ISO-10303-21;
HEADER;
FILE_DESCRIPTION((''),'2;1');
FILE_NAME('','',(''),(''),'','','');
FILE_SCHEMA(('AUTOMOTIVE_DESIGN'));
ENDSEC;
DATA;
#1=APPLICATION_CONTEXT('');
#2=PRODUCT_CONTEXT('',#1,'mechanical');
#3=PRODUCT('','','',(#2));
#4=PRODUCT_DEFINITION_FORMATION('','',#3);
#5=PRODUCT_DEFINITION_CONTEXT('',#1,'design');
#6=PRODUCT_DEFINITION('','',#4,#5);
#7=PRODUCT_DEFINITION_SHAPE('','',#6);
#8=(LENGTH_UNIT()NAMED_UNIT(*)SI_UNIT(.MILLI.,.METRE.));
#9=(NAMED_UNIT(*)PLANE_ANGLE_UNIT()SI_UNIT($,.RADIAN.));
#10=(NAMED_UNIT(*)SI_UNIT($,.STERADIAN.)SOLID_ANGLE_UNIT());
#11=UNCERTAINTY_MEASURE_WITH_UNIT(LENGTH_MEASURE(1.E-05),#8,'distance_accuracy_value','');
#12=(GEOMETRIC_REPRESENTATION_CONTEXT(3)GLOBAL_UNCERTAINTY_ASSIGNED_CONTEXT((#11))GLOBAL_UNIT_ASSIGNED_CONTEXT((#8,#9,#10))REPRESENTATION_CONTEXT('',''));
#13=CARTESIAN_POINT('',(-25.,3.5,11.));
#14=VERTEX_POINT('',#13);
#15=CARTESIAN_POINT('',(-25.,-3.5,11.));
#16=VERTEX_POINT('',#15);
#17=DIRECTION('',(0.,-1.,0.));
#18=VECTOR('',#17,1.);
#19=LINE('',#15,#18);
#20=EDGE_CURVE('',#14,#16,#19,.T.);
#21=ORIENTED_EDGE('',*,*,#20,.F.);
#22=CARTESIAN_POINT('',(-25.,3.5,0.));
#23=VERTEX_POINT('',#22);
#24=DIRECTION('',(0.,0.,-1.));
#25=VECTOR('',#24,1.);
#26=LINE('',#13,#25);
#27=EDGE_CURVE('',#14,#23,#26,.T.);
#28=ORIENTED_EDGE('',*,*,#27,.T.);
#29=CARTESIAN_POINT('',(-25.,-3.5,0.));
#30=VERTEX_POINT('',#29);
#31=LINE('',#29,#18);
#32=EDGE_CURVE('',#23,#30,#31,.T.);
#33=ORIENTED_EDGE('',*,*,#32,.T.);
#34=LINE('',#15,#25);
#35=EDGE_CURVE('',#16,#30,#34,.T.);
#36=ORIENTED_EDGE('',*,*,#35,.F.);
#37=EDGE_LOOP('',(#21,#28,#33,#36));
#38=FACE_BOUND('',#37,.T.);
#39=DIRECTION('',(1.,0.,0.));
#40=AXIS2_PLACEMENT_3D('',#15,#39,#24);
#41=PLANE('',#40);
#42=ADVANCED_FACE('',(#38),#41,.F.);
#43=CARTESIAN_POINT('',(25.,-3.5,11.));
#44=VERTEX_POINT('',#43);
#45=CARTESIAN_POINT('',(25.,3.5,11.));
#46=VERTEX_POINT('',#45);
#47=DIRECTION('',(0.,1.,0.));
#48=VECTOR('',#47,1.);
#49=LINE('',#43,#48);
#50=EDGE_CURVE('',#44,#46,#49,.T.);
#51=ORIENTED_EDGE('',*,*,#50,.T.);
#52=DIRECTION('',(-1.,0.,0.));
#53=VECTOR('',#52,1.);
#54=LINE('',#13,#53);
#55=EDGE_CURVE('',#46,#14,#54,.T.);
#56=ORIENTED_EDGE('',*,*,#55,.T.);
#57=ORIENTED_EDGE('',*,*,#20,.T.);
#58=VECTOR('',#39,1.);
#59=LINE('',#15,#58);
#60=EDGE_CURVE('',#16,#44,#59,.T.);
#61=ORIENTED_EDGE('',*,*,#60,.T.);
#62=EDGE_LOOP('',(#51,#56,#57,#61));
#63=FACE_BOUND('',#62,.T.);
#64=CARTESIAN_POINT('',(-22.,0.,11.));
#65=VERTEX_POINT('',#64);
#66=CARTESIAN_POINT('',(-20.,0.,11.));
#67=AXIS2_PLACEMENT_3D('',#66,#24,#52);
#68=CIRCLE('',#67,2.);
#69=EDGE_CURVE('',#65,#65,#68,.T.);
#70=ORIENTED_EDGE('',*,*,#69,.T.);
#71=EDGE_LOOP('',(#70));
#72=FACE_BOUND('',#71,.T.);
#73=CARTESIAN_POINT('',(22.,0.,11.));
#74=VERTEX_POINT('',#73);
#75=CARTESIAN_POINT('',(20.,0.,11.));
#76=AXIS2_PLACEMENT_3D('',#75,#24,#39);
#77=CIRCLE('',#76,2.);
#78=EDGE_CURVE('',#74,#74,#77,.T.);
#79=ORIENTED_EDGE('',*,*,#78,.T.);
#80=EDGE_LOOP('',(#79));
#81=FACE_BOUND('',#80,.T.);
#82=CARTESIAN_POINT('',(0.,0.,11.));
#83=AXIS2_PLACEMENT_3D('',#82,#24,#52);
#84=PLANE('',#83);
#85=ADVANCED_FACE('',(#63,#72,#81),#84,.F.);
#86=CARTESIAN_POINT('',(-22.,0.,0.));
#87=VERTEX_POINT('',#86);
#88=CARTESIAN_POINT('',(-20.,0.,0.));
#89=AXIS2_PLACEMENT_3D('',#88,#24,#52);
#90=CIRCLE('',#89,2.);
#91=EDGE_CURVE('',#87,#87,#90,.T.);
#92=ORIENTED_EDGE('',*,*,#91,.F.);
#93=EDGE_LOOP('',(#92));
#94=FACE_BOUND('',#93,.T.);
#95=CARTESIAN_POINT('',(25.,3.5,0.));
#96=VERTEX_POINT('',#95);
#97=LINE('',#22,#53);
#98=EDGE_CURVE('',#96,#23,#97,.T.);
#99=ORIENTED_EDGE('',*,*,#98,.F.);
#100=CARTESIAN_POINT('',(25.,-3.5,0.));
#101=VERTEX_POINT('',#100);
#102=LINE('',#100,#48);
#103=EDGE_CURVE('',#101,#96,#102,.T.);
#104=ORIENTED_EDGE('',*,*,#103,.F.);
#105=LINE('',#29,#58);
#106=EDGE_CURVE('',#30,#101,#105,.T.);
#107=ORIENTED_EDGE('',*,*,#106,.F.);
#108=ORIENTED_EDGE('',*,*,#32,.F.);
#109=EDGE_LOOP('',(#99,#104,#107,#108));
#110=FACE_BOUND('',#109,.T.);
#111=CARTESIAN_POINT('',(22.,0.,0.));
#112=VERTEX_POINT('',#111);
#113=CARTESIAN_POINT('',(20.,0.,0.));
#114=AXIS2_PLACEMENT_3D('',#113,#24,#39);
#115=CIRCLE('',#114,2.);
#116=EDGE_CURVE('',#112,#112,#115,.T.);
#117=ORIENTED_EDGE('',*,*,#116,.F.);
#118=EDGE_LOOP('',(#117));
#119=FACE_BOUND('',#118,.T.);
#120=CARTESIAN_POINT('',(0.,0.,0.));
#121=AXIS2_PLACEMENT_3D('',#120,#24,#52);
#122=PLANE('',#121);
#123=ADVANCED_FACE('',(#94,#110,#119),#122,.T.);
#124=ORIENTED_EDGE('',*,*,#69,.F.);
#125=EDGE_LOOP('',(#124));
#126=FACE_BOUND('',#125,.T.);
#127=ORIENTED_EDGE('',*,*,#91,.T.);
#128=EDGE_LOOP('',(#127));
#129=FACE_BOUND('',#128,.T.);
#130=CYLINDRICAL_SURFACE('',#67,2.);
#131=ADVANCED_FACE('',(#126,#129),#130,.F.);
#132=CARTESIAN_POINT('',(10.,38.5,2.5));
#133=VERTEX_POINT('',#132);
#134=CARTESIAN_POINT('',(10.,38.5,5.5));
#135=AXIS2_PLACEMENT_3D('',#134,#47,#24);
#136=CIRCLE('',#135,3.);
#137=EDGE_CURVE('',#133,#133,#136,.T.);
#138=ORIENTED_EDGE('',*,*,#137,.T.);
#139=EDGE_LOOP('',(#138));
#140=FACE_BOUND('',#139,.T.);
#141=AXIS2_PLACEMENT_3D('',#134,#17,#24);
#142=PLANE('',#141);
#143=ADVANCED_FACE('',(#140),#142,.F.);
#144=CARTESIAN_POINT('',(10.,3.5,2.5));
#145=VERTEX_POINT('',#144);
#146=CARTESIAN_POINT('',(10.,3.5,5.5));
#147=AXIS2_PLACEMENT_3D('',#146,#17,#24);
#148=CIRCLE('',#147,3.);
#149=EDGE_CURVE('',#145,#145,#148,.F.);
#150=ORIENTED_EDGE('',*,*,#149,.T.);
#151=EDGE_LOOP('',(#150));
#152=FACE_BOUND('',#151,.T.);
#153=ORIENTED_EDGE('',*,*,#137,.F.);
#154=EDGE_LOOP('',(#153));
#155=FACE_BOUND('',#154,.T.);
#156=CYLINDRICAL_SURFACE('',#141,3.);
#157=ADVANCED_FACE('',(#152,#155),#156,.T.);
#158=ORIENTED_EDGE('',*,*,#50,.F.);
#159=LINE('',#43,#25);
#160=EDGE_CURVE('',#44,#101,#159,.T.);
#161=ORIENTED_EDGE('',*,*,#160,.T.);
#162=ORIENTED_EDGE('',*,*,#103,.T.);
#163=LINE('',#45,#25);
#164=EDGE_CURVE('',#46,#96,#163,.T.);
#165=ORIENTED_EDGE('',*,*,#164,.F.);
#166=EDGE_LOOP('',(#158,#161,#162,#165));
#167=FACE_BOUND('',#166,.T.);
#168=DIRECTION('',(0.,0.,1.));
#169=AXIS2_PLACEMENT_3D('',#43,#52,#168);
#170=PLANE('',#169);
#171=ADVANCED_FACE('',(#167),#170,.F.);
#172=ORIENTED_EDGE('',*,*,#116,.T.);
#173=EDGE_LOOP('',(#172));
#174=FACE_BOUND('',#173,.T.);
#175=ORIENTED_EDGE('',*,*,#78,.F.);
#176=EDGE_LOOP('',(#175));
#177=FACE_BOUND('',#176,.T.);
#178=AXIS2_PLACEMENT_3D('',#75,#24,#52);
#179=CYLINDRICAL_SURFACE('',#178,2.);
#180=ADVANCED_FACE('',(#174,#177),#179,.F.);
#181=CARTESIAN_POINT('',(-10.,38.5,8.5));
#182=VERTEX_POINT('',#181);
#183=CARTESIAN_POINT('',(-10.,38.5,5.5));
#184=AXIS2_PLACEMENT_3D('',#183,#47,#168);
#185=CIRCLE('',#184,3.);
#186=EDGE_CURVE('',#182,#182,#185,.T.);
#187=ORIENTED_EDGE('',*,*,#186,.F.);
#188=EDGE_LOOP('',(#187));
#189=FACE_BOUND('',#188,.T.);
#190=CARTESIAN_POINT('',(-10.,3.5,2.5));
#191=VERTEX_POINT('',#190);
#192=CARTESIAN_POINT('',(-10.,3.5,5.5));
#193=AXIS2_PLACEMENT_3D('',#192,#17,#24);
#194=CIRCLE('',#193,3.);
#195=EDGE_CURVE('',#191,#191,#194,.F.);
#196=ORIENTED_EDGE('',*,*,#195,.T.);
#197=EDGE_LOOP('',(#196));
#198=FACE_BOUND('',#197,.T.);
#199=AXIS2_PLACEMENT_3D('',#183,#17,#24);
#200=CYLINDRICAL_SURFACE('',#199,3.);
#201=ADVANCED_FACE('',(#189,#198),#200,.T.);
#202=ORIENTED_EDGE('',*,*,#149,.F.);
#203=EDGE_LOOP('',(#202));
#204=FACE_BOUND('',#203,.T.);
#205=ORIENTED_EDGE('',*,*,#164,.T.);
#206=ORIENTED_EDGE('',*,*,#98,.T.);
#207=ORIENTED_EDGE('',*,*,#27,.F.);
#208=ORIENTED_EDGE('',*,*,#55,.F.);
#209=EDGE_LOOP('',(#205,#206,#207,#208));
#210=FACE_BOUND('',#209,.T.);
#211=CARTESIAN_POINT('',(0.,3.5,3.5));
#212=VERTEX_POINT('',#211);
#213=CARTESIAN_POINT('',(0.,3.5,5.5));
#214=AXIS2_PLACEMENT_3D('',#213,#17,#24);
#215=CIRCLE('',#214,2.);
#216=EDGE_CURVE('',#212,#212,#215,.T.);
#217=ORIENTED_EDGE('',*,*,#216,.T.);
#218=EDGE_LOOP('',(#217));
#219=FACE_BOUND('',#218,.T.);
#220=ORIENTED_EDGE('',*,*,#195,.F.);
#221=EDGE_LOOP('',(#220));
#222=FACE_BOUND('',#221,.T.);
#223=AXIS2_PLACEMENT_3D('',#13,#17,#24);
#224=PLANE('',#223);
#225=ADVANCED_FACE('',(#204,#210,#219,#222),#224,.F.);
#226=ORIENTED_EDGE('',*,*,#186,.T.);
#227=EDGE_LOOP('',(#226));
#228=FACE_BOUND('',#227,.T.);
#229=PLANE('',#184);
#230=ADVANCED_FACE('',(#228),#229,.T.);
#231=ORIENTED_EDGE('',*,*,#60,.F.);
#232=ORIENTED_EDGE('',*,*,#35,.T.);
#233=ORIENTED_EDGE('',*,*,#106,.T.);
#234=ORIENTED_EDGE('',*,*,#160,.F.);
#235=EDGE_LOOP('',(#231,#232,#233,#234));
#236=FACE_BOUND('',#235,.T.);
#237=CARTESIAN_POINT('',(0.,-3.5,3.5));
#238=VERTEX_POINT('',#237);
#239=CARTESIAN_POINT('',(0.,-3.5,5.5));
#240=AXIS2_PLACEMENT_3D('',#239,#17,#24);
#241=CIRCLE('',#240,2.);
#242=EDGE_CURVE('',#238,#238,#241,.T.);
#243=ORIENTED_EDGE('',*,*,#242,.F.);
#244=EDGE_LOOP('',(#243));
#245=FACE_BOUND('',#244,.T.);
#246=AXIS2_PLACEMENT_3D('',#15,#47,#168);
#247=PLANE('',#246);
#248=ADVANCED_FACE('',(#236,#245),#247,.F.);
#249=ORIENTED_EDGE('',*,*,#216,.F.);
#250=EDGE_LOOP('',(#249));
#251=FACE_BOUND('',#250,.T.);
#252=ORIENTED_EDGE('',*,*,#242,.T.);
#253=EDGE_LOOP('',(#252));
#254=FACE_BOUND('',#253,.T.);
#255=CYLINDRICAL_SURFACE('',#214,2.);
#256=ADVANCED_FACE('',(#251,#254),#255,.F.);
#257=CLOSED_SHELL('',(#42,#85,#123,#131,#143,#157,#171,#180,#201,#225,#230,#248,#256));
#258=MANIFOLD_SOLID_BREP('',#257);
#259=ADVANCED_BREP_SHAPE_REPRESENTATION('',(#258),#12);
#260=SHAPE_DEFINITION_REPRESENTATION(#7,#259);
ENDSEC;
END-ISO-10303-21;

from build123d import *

# Parameters (mm, degrees)
SKETCH1_W           = 50
SKETCH1_H           = 7
BOSS_EXTRUDE1_DEPTH = 11
SKETCH2_R           = 2
CUT_EXTRUDE1_DEPTH  = 12
SKETCH3_R           = 2
CUT_EXTRUDE2_DEPTH  = 8
SKETCH4_R           = 3
BOSS_EXTRUDE2_DEPTH = 35


with BuildPart() as part:
    # Sketch1 → Boss-Extrude1 (new body)
    with BuildSketch(Plane.XY):
        Rectangle(SKETCH1_W, SKETCH1_H)
    extrude(amount=BOSS_EXTRUDE1_DEPTH)

    # Sketch2 → Cut-Extrude1 (cut, through all)
    with BuildSketch(Plane(origin=(0, 0, 0), x_dir=(-1, 0, 0), z_dir=(0, 0, -1))):
        with Locations((20, 0)):
            Circle(SKETCH2_R)
        with Locations((-20, 0)):
            Circle(SKETCH2_R)
    extrude(amount=-CUT_EXTRUDE1_DEPTH, mode=Mode.SUBTRACT)

    # Sketch3 → Cut-Extrude2 (cut, through all)
    with BuildSketch(Plane.XZ.offset(3.5)):
        with Locations((0, 5.5)):
            Circle(SKETCH3_R)
    extrude(amount=-CUT_EXTRUDE2_DEPTH, mode=Mode.SUBTRACT)

    # Sketch4 → Boss-Extrude2 (add)
    with BuildSketch(Plane(origin=(0, 3.5, 0), x_dir=(1, 0, 0), z_dir=(0, 1, 0))):
        with Locations((-10, -5.5)):
            Circle(SKETCH4_R)
        with Locations((10, -5.5)):
            Circle(SKETCH4_R)
    extrude(amount=BOSS_EXTRUDE2_DEPTH)


solid = part.part
